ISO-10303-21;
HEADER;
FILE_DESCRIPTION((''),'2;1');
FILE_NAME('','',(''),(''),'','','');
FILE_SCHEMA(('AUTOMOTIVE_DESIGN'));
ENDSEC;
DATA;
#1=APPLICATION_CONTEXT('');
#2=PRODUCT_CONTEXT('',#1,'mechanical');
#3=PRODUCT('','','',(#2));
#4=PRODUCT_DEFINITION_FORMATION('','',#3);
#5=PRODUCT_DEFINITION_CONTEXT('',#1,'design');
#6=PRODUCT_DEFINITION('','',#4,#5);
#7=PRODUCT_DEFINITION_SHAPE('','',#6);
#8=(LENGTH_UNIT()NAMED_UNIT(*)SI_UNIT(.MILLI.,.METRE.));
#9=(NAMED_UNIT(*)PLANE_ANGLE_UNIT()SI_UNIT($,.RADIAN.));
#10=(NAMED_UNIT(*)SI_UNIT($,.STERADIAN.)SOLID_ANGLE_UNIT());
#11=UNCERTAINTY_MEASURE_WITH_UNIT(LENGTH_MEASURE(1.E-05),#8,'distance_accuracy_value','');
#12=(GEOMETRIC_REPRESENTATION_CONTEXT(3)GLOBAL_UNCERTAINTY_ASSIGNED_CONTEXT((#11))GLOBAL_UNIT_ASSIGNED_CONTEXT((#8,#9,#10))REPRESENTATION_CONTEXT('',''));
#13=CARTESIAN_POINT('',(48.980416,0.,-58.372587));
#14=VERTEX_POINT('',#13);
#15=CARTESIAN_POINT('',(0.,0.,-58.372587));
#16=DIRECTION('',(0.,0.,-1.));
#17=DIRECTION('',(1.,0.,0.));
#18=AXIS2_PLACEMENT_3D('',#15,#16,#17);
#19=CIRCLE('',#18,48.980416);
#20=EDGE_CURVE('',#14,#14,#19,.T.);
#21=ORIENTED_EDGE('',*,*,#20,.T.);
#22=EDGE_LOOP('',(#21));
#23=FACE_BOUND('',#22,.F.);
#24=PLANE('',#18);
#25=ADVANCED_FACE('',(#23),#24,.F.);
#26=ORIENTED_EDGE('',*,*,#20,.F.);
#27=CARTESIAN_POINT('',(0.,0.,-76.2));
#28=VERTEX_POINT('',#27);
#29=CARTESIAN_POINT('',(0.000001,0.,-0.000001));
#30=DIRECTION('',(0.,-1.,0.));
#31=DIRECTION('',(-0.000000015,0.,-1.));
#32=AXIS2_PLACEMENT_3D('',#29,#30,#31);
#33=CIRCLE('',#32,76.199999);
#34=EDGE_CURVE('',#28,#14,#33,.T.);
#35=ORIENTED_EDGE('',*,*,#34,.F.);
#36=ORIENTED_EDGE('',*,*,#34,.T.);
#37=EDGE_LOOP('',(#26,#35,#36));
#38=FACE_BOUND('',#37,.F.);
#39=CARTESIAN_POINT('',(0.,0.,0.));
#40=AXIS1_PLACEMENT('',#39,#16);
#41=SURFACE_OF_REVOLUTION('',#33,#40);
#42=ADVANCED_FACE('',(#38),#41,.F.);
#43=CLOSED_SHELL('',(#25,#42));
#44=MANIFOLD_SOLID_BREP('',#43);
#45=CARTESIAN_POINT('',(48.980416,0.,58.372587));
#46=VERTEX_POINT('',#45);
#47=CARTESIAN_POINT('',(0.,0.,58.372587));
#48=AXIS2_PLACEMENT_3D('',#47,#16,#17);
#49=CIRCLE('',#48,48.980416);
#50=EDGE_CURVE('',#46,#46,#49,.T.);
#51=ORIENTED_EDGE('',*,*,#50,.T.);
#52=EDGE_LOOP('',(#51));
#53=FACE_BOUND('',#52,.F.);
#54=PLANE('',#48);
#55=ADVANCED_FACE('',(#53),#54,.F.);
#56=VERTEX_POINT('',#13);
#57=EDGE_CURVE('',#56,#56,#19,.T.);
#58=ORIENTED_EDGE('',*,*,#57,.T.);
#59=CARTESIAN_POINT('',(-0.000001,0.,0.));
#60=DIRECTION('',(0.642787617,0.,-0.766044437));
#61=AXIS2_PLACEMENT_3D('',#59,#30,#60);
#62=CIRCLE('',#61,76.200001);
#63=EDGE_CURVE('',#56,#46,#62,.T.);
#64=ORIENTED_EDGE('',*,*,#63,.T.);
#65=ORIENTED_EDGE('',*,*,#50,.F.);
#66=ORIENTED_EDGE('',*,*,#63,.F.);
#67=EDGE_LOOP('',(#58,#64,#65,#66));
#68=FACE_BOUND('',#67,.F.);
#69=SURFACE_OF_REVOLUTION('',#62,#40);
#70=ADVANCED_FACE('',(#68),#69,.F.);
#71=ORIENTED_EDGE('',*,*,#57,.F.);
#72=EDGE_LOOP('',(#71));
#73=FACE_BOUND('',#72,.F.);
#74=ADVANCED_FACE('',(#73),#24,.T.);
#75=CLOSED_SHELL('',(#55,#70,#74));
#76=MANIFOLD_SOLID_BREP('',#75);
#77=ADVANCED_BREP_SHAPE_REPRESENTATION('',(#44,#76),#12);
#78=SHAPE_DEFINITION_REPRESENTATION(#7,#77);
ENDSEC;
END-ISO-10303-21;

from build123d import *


with BuildPart() as f1:
    # F0 (on Front) → F1 (revolve)
    with BuildSketch(Plane.XZ):
        with BuildLine():
            Line((0, -58.372587), (48.980416, -58.372587))
            ThreePointArc((48.980416, -58.372587), (76.2, 0), (48.980416, 58.372587))
            Line((48.980416, 58.372587), (0, 58.372587))
            Line((0, 58.372587), (0, -58.372587))
        make_face()
    revolve(axis=Axis((0, 0, 0), (0, 0, -1)))


with BuildPart() as f2:
    # F0 (on Front) → F2 (revolve)
    with BuildSketch(Plane.XZ):
        with BuildLine():
            Line((0, -58.372587), (0, -76.2))
            ThreePointArc((0, -76.2), (26.061935, -71.604578), (48.980416, -58.372587))
            Line((48.980416, -58.372587), (0, -58.372587))
        make_face()
    revolve(axis=Axis((0, 0, 0), (0, 0, -1)))


solid = Compound([f1.part, f2.part])
